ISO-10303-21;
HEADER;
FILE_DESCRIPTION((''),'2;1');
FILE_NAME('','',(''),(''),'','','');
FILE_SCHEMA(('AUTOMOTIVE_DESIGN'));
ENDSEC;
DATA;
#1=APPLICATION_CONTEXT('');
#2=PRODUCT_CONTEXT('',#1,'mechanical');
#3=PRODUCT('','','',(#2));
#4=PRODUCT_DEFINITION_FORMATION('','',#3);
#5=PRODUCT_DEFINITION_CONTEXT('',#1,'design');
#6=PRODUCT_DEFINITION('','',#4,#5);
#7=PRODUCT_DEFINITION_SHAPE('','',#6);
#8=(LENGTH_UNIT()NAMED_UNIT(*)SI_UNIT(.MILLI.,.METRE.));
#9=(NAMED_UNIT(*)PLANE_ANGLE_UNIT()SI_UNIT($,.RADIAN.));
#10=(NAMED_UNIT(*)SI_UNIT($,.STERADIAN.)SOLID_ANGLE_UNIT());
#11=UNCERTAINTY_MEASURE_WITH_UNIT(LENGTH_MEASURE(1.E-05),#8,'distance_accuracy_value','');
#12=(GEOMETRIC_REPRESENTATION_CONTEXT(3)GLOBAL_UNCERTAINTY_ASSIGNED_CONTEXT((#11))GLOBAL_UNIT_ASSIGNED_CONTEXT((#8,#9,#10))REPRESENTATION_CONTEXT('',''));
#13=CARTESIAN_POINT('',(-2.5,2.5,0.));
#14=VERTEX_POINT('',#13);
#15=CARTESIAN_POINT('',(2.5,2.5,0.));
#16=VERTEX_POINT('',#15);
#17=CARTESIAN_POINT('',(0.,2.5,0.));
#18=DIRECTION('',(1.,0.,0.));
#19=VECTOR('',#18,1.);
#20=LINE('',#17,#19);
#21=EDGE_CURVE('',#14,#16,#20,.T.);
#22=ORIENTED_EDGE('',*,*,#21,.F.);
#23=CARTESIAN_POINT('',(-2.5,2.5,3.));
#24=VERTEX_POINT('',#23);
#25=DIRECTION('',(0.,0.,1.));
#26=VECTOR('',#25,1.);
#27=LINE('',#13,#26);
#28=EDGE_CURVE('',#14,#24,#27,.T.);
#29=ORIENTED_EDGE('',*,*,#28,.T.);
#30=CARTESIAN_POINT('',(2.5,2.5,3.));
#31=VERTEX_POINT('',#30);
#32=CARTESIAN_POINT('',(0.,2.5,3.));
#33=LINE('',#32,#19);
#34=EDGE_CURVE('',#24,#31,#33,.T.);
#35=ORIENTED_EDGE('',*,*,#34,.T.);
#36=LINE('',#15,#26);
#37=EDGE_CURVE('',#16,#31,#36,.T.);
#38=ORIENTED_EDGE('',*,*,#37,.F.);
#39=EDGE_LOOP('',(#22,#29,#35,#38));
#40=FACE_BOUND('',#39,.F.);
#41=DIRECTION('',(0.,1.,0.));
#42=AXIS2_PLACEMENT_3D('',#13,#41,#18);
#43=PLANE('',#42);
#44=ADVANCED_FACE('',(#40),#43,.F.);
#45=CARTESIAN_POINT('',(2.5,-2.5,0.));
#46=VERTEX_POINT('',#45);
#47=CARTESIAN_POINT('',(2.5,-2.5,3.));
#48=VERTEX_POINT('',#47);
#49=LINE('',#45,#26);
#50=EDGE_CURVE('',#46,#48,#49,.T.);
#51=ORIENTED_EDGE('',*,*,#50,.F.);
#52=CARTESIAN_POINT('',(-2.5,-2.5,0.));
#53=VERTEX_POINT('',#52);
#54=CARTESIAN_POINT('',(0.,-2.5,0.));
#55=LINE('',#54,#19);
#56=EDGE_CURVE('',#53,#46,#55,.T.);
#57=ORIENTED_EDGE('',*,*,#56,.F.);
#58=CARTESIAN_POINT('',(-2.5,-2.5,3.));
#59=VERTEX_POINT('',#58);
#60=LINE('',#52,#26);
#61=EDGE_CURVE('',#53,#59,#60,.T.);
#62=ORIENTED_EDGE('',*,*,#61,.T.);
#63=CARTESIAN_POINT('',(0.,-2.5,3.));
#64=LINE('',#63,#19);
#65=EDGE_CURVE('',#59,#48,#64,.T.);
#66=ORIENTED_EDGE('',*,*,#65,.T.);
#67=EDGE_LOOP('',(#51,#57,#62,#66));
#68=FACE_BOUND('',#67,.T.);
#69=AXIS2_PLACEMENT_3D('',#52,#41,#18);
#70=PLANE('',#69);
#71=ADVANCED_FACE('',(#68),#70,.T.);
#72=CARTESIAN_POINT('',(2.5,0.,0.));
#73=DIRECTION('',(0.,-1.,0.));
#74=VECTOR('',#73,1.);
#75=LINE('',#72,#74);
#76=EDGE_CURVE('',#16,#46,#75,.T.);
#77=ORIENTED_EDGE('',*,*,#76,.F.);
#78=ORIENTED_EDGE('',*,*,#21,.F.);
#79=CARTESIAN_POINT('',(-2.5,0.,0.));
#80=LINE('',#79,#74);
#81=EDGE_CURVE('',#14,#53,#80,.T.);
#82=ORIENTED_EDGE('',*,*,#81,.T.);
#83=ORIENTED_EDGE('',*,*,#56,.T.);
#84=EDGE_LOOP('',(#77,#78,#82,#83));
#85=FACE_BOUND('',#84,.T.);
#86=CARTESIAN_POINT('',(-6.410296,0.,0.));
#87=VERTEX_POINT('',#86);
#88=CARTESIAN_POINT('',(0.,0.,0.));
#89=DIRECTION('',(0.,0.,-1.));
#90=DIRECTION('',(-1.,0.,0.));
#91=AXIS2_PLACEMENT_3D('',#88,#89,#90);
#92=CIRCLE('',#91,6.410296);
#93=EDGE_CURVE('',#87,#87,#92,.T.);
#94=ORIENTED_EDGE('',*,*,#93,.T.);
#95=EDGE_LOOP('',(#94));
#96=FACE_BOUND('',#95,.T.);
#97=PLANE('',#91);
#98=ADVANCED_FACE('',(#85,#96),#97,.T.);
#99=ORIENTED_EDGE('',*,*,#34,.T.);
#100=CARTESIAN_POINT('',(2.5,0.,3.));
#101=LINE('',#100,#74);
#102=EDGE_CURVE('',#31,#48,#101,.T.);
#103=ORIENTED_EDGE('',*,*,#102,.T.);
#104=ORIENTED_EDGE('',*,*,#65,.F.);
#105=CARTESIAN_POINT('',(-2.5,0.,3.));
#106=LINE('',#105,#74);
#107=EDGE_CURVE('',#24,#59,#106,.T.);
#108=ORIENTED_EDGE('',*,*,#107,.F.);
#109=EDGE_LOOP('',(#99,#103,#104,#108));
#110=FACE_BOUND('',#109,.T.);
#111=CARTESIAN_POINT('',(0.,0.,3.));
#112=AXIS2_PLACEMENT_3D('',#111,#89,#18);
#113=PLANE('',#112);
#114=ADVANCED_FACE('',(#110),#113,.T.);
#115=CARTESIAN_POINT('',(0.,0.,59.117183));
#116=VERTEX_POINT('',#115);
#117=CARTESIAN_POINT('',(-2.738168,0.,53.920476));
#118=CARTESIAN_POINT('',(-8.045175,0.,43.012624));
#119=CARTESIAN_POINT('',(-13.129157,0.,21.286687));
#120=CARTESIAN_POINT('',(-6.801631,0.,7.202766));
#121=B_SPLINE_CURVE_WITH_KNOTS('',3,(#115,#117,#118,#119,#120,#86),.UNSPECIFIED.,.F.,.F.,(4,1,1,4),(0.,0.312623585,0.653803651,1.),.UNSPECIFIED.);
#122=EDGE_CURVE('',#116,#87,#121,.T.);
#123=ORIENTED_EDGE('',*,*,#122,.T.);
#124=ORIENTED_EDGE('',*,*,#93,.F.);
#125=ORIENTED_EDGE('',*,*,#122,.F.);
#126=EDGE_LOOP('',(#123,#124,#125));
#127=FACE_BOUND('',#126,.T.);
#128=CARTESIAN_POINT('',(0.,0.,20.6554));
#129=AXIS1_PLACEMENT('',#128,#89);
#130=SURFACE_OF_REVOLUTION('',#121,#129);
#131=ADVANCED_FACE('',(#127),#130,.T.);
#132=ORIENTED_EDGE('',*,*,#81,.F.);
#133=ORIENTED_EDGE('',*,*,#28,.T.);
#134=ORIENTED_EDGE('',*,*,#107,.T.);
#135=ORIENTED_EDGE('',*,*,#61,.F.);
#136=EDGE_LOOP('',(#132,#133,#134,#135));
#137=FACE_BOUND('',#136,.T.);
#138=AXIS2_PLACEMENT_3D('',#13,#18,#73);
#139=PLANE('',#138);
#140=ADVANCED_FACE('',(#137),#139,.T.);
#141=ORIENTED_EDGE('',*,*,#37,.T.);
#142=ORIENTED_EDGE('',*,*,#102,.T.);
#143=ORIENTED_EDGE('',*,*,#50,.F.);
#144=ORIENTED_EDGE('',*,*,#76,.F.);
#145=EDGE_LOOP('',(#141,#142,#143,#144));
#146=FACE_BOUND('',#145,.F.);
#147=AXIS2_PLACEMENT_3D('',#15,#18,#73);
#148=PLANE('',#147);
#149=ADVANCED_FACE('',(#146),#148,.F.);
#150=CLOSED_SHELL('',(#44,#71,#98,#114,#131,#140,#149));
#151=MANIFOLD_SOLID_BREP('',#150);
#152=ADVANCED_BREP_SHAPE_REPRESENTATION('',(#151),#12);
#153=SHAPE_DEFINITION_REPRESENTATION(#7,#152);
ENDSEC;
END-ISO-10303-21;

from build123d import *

# Parameters (mm, degrees)
F3_W     = 5
F3_H     = 5
F4_DEPTH = 3


with BuildPart() as f2:
    # F0 (on Front) → F2 (revolve)
    with BuildSketch(Plane.XZ):
        with BuildLine():
            Line((0, 0), (0, 59.1171830893))
            add(Edge.make_bspline(
                [(0, 59.1171830893), (-2.7381684295, 53.9204760508), (-8.0451749302, 43.0126236449), (-13.1291565791, 21.2866872374), (-6.8016306182, 7.2027664188), (-6.4102956094, 0)],
                knots=[0, 0, 0, 0, 0.3126235846, 0.6538036512, 1, 1, 1, 1], degree=3))
            Line((-6.4102956094, 0), (0, 0))
        make_face()
    revolve(axis=Axis((0, 0, 20.6554001197), (0, 0, -1)))

    # F3 (on face) → F4 (cut)
    with BuildSketch(Plane(origin=(0, 0, 0), x_dir=(1, 0, 0), z_dir=(0, 0, -1))):
        Rectangle(F3_W, F3_H)
    extrude(amount=-F4_DEPTH, mode=Mode.SUBTRACT)


solid = f2.part
